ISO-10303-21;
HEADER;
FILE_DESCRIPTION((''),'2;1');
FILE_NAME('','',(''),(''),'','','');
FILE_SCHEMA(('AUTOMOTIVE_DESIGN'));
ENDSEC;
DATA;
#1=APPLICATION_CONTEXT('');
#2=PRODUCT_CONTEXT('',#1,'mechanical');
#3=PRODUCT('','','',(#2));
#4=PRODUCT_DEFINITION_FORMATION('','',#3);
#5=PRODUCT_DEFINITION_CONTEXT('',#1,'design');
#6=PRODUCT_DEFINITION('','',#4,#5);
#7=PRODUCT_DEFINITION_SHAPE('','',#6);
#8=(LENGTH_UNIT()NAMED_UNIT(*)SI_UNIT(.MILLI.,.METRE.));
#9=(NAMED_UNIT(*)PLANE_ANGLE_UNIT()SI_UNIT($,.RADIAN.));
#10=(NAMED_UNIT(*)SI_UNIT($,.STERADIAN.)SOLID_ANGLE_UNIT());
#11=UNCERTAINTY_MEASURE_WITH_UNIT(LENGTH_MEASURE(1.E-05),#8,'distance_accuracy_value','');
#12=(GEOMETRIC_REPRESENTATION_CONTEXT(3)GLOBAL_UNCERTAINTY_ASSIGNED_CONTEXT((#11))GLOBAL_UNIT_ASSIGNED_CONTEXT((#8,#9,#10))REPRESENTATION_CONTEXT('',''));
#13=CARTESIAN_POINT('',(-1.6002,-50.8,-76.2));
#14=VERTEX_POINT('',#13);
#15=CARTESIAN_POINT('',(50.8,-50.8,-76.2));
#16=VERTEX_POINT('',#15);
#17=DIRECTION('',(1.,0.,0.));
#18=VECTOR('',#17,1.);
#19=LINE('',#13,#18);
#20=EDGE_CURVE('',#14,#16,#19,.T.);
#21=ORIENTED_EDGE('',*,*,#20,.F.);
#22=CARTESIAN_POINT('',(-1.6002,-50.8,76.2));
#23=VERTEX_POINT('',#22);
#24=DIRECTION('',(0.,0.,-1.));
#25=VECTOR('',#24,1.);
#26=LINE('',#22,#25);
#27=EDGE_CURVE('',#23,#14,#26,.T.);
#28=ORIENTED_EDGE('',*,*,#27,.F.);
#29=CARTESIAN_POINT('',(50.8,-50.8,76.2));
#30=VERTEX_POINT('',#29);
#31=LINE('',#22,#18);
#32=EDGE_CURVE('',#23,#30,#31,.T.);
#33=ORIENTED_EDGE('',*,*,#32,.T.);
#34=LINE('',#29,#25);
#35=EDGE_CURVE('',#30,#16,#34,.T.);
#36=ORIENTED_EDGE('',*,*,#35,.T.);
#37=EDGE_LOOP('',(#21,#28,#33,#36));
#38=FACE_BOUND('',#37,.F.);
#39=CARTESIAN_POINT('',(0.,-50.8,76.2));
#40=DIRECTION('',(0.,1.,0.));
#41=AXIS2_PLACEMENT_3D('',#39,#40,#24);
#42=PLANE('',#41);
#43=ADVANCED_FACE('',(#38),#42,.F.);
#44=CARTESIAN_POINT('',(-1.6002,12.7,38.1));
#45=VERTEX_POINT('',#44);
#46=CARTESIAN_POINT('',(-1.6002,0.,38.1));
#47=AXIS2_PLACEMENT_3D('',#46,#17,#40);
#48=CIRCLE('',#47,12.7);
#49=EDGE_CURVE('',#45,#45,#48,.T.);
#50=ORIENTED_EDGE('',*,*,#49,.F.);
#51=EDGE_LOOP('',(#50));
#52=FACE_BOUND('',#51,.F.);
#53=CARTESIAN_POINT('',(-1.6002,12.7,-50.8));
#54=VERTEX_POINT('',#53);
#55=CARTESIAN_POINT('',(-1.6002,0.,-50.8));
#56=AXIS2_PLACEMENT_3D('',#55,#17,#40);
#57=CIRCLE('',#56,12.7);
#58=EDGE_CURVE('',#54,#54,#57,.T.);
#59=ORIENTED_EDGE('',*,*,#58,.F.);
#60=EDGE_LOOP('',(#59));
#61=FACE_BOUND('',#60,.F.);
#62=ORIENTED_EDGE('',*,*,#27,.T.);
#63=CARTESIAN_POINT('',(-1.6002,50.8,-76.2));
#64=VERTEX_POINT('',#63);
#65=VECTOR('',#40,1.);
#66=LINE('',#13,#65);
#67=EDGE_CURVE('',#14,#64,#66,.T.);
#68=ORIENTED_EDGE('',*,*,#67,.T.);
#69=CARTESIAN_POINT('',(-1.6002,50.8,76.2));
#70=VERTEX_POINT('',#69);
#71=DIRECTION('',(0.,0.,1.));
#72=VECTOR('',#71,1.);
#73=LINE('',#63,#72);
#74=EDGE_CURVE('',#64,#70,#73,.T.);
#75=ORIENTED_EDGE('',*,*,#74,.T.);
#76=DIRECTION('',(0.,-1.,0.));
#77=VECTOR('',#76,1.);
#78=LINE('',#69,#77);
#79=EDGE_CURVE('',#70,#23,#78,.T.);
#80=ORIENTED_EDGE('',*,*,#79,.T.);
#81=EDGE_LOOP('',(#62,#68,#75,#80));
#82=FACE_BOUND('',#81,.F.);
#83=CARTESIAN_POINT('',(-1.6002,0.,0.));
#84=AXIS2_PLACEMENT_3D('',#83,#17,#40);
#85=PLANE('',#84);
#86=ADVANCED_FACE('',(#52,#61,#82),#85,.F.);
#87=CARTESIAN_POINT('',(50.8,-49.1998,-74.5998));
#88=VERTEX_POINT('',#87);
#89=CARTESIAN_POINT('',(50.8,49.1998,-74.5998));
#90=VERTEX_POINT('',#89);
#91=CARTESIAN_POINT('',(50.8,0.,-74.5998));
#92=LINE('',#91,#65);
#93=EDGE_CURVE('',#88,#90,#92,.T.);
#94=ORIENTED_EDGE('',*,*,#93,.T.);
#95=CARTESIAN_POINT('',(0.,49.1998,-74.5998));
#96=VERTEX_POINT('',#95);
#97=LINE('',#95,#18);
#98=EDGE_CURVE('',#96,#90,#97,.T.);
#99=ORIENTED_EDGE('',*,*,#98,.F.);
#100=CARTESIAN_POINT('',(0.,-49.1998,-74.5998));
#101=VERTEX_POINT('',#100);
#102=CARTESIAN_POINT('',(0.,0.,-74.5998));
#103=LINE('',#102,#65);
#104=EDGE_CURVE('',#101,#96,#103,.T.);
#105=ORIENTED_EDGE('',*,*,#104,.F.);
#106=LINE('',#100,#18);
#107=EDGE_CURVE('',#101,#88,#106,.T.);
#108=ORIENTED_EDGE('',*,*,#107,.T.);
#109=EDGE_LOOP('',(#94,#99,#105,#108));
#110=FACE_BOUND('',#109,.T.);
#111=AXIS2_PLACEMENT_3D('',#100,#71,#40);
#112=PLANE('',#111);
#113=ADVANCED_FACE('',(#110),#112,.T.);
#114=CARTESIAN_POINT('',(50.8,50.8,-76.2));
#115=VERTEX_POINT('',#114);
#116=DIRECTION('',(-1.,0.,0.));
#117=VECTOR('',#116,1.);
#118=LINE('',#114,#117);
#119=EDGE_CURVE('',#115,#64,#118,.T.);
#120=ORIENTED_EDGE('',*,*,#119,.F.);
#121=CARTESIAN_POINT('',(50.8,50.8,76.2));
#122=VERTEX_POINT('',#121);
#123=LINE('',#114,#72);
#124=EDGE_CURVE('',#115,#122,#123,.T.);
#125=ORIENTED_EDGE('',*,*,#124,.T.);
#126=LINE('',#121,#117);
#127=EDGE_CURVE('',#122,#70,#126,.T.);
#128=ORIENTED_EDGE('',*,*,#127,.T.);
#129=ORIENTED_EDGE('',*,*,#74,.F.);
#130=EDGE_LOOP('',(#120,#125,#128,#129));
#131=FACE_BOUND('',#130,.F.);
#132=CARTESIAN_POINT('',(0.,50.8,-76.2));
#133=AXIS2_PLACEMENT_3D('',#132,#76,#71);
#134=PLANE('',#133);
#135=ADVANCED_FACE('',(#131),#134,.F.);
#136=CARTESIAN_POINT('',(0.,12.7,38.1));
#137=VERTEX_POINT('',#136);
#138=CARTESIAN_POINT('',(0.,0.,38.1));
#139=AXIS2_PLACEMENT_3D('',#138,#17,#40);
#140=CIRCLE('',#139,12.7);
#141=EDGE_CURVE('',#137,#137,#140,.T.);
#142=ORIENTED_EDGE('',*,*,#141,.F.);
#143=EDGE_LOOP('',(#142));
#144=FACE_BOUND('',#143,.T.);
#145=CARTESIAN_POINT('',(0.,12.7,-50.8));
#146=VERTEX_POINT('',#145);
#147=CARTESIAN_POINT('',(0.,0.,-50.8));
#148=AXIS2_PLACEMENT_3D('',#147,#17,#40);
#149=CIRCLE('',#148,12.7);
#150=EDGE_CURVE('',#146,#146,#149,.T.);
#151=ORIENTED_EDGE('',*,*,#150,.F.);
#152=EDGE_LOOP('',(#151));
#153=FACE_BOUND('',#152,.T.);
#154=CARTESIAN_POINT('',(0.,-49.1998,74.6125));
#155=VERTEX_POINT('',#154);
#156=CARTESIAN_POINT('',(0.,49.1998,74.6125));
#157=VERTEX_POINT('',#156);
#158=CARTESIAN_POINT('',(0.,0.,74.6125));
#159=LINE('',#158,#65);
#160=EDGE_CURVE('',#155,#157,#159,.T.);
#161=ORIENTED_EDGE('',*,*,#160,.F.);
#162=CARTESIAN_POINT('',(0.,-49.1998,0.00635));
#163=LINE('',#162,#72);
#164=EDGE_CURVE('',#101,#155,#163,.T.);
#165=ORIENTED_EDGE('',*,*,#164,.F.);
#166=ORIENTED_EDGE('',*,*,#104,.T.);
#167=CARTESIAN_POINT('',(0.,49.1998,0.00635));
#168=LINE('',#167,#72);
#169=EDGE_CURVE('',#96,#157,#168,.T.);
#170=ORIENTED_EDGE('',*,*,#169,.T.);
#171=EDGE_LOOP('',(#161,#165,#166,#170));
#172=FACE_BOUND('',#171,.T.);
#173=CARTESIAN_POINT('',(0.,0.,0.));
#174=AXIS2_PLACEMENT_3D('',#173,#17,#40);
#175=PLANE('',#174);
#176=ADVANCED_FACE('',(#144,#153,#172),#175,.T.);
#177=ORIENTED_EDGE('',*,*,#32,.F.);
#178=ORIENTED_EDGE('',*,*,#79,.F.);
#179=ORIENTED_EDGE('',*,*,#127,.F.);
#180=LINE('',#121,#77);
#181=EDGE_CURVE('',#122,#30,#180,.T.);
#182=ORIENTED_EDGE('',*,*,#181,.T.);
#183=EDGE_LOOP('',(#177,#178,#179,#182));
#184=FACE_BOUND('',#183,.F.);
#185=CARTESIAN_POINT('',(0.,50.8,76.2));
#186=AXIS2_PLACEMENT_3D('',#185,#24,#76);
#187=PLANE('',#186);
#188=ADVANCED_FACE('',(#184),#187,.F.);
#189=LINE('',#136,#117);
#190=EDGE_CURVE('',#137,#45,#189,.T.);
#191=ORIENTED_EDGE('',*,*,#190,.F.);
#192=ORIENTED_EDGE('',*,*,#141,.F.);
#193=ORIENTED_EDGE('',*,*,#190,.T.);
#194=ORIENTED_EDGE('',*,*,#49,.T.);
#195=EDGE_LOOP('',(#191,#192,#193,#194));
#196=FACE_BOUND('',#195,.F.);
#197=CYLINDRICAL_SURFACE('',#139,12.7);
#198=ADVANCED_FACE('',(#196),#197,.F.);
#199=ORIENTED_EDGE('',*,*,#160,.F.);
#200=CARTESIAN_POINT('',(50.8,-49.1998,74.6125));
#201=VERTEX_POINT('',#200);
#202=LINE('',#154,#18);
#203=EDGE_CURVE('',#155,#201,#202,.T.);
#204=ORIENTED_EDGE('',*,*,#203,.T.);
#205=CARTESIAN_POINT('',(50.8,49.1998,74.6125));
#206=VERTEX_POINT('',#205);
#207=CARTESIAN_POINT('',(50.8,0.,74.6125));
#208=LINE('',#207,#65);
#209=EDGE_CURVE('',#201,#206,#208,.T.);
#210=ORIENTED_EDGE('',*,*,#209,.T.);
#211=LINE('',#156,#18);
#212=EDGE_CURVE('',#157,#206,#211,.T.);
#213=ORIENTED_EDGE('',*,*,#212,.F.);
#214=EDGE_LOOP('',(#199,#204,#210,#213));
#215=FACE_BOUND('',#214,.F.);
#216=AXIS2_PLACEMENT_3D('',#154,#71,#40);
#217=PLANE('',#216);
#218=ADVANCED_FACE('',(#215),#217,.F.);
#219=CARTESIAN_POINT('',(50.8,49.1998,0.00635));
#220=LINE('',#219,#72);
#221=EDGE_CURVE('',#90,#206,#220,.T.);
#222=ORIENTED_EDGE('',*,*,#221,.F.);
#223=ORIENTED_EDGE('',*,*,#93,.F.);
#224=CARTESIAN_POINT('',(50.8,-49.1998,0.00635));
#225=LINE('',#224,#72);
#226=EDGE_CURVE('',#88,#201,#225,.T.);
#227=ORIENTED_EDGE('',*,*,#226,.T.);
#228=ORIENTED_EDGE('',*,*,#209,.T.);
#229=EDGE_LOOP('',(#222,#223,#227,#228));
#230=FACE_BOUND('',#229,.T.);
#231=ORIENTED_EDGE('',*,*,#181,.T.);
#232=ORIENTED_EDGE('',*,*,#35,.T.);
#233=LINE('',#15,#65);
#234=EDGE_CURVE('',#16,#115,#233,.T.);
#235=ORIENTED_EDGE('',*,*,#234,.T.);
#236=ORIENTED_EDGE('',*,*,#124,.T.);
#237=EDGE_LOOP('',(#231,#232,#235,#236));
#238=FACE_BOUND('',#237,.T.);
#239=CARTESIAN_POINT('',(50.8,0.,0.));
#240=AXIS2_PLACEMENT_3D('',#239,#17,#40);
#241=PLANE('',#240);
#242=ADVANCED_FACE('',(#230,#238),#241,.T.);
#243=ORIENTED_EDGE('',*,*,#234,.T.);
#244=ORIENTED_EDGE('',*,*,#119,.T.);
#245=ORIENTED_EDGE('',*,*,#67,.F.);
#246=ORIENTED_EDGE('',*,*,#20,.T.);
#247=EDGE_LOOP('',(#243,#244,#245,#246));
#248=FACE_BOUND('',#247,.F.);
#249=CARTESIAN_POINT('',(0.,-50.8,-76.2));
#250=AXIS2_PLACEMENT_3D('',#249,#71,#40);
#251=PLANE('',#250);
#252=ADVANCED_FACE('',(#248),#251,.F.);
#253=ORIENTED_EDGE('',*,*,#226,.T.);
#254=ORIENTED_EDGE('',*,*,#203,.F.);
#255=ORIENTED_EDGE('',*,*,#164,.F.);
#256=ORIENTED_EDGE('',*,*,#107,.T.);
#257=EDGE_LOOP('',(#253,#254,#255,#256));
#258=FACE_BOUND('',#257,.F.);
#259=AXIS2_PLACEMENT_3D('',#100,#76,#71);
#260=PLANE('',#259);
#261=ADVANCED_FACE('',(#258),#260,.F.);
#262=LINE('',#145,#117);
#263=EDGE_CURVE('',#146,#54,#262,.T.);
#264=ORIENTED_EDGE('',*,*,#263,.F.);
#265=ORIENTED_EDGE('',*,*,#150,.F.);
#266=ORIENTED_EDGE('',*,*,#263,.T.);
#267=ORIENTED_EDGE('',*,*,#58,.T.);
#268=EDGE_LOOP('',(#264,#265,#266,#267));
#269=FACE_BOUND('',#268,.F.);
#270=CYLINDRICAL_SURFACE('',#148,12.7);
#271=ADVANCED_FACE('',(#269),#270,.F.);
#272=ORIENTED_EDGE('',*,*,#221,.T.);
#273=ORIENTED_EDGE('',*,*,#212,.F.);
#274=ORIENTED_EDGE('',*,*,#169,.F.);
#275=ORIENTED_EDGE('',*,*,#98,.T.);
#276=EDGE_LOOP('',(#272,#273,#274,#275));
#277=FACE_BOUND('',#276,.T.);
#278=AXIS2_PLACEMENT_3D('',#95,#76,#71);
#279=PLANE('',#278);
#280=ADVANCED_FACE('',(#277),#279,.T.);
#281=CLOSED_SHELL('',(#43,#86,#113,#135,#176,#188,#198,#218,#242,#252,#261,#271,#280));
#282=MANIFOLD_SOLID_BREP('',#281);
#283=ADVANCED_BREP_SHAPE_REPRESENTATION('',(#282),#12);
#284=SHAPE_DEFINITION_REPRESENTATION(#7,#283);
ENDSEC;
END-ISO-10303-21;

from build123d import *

# Parameters (mm, degrees)
F0_W     = 98.3996
F0_H     = 149.2123
F1_DEPTH = 1.6002
F2_DEPTH = 50.8
F3_R     = 12.7
F4_DEPTH = 1.6002


with BuildPart() as f1:
    # F0 (on Right) → F1 (new body)
    with BuildSketch(Plane.YZ):
        Polygon((50.8, 76.2), (0, 76.2), (-50.8, 76.2), (-50.8, 0), (-50.8, -76.2), (0, -76.2), (50.8, -76.2), (50.8, 0), align=None)
        with Locations((0, 0.00635)):
            Rectangle(F0_W, F0_H, mode=Mode.SUBTRACT)
        with Locations((0, 0.00635)):
            Rectangle(F0_W, F0_H)
    extrude(amount=-F1_DEPTH)

    # F0 (on Right) → F2 (join)
    with BuildSketch(Plane.YZ):
        Polygon((50.8, 76.2), (0, 76.2), (-50.8, 76.2), (-50.8, 0), (-50.8, -76.2), (0, -76.2), (50.8, -76.2), (50.8, 0), align=None)
        with Locations((0, 0.00635)):
            Rectangle(F0_W, F0_H, mode=Mode.SUBTRACT)
    extrude(amount=F2_DEPTH)

    # F3 (on face) → F4 (cut)
    with BuildSketch(Plane.YZ):
        with Locations((0, 38.1)):
            Circle(F3_R)
        with Locations((0, -50.8)):
            Circle(F3_R)
    extrude(amount=-F4_DEPTH, mode=Mode.SUBTRACT)


solid = f1.part
